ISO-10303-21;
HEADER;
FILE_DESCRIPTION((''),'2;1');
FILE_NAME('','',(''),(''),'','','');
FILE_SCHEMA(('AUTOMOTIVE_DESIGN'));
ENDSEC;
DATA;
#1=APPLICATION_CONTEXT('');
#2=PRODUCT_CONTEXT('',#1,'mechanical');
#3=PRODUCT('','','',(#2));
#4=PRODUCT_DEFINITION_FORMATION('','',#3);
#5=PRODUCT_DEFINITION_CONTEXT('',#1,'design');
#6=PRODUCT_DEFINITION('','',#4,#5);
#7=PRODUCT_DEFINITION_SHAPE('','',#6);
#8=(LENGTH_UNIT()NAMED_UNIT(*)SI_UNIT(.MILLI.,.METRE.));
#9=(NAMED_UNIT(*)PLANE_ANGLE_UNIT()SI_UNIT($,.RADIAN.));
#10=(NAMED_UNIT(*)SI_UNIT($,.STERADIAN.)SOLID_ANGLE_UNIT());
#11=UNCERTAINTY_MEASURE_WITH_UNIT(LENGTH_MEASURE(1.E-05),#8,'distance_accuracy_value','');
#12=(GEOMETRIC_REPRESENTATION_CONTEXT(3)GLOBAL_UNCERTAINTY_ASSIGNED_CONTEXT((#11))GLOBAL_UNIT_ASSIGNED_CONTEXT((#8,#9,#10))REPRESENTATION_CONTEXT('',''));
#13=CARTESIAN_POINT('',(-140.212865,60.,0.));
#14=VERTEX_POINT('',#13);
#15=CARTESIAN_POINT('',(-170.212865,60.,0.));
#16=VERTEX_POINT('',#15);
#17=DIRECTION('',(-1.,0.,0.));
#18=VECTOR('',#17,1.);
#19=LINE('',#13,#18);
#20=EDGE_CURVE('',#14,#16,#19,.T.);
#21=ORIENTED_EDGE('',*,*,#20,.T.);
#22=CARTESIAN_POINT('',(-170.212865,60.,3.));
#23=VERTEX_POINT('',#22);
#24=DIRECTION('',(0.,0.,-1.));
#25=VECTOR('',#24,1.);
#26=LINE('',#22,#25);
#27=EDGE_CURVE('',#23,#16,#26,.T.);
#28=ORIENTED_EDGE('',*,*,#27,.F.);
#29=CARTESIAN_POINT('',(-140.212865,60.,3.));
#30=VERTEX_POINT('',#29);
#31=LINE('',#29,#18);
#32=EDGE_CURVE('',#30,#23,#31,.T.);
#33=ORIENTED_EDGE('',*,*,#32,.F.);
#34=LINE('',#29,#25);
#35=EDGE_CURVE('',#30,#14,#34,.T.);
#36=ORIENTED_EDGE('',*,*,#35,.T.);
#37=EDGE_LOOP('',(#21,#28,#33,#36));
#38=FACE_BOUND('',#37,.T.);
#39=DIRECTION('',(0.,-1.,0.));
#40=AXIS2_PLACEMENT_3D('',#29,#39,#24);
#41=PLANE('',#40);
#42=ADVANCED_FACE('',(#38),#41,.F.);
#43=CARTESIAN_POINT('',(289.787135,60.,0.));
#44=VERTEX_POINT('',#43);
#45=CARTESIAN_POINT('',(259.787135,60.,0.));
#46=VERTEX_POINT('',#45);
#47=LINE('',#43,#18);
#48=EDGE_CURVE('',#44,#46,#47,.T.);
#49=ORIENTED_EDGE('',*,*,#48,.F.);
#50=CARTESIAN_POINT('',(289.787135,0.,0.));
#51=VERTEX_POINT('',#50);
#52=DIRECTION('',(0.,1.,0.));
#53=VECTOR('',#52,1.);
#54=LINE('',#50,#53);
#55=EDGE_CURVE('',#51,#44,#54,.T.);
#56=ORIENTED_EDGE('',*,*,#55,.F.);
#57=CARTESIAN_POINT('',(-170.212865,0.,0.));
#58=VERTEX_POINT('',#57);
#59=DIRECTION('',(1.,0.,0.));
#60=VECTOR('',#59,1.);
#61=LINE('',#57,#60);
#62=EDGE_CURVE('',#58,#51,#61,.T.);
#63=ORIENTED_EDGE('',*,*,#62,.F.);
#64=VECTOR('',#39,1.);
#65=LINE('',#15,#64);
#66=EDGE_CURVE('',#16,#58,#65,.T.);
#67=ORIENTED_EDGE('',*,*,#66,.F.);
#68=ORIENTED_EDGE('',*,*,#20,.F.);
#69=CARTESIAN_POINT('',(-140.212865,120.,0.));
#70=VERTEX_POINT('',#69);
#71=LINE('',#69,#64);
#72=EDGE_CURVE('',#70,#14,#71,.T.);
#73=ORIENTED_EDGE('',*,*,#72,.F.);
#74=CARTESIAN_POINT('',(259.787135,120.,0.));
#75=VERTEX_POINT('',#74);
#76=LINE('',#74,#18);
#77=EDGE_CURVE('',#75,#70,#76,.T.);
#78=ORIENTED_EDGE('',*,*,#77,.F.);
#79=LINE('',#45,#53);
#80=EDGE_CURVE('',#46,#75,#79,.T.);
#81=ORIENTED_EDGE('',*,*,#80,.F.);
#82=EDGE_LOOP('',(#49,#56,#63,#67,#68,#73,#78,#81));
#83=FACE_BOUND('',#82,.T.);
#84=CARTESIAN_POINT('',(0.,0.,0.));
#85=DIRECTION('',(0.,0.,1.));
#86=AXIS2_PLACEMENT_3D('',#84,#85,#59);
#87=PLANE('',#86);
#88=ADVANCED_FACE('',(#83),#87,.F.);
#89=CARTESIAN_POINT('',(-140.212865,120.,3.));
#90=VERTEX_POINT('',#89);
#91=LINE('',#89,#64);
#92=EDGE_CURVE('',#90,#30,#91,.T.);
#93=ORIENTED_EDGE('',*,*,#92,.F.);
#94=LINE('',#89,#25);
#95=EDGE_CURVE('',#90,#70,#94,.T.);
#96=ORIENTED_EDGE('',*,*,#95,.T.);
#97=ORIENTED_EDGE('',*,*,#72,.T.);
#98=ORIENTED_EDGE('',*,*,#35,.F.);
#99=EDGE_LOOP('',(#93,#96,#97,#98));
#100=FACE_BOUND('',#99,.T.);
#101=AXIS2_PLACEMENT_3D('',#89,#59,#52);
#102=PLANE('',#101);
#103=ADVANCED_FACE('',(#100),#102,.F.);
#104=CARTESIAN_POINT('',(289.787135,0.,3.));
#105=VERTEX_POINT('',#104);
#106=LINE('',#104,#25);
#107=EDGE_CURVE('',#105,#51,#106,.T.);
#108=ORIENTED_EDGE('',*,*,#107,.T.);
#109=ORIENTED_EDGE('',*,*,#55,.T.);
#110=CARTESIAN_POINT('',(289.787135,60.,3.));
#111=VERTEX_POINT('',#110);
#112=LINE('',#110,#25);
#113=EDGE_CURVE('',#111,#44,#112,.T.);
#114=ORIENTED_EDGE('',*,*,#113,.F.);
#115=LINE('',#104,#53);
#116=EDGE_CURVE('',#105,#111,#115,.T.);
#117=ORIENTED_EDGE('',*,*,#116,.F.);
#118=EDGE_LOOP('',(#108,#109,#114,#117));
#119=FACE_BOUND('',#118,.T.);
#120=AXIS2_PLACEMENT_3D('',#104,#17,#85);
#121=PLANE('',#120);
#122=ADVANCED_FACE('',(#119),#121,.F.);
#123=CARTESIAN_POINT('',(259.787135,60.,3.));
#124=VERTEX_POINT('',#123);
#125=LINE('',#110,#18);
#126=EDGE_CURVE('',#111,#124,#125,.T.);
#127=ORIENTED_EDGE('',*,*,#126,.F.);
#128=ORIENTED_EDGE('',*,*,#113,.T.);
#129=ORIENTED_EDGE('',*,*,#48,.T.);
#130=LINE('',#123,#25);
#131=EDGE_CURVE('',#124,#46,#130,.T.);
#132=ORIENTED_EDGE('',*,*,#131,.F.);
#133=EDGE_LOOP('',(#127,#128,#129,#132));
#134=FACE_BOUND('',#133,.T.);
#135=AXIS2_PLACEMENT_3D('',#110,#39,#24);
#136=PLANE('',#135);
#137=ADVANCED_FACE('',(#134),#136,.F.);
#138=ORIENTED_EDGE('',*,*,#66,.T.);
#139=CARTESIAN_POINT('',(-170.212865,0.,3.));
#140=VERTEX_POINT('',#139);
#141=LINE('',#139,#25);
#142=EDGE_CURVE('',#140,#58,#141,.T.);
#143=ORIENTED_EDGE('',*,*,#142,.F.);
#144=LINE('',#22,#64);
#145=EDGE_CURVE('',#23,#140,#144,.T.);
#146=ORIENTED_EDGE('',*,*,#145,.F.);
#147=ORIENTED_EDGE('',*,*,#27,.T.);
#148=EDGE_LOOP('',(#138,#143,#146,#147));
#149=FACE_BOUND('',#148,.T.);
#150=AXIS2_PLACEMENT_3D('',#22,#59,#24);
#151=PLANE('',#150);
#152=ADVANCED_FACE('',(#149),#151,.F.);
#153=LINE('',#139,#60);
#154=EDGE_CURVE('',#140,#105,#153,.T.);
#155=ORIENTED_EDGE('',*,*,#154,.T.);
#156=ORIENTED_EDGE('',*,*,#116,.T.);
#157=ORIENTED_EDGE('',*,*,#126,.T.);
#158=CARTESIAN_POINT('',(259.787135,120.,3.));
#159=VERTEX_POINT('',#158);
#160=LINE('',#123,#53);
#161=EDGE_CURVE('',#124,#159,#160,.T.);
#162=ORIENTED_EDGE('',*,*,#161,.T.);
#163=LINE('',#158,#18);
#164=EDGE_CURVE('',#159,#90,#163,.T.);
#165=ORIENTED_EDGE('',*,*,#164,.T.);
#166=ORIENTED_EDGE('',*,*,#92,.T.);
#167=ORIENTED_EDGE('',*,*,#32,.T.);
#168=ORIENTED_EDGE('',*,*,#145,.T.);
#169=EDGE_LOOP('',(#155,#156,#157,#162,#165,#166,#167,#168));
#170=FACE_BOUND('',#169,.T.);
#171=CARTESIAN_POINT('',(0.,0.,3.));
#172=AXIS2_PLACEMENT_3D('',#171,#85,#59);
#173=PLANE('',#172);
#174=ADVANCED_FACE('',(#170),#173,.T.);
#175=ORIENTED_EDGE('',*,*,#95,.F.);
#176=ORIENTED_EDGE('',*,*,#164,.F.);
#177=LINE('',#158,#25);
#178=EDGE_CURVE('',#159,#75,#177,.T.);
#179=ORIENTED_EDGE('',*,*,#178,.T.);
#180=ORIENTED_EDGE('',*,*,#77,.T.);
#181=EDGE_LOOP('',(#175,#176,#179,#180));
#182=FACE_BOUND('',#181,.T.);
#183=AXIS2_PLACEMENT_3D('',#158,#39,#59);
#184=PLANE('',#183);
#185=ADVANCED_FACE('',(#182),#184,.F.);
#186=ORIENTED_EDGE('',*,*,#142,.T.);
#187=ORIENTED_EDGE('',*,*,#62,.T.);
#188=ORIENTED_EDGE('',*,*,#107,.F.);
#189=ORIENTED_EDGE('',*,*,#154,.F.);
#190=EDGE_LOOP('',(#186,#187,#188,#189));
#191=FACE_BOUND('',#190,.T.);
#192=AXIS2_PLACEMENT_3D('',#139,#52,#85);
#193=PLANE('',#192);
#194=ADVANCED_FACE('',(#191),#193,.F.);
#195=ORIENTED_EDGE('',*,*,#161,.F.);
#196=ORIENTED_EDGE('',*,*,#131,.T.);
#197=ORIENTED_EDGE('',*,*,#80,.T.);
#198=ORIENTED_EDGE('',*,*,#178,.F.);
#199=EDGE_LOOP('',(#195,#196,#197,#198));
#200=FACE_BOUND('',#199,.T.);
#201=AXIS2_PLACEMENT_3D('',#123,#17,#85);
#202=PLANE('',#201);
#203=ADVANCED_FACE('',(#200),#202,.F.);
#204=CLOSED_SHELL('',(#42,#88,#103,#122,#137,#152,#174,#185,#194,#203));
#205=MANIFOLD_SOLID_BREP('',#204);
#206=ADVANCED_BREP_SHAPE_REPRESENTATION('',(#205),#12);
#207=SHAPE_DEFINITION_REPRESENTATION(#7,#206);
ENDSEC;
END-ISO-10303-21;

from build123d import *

# Parameters (mm, degrees)
P_IDAT_VYSUNUT_M1_DEPTH = 3


with BuildPart() as part:
    # Skica1 → Přidat vysunutím1 (new body)
    with BuildSketch(Plane.XY):
        Polygon((-170.212864542, 0), (289.787135458, 0), (289.787135458, 60), (259.787135458, 60), (259.787135458, 120), (-140.212864542, 120), (-140.212864542, 60), (-170.212864542, 60), align=None)
    extrude(amount=P_IDAT_VYSUNUT_M1_DEPTH)


solid = part.part
